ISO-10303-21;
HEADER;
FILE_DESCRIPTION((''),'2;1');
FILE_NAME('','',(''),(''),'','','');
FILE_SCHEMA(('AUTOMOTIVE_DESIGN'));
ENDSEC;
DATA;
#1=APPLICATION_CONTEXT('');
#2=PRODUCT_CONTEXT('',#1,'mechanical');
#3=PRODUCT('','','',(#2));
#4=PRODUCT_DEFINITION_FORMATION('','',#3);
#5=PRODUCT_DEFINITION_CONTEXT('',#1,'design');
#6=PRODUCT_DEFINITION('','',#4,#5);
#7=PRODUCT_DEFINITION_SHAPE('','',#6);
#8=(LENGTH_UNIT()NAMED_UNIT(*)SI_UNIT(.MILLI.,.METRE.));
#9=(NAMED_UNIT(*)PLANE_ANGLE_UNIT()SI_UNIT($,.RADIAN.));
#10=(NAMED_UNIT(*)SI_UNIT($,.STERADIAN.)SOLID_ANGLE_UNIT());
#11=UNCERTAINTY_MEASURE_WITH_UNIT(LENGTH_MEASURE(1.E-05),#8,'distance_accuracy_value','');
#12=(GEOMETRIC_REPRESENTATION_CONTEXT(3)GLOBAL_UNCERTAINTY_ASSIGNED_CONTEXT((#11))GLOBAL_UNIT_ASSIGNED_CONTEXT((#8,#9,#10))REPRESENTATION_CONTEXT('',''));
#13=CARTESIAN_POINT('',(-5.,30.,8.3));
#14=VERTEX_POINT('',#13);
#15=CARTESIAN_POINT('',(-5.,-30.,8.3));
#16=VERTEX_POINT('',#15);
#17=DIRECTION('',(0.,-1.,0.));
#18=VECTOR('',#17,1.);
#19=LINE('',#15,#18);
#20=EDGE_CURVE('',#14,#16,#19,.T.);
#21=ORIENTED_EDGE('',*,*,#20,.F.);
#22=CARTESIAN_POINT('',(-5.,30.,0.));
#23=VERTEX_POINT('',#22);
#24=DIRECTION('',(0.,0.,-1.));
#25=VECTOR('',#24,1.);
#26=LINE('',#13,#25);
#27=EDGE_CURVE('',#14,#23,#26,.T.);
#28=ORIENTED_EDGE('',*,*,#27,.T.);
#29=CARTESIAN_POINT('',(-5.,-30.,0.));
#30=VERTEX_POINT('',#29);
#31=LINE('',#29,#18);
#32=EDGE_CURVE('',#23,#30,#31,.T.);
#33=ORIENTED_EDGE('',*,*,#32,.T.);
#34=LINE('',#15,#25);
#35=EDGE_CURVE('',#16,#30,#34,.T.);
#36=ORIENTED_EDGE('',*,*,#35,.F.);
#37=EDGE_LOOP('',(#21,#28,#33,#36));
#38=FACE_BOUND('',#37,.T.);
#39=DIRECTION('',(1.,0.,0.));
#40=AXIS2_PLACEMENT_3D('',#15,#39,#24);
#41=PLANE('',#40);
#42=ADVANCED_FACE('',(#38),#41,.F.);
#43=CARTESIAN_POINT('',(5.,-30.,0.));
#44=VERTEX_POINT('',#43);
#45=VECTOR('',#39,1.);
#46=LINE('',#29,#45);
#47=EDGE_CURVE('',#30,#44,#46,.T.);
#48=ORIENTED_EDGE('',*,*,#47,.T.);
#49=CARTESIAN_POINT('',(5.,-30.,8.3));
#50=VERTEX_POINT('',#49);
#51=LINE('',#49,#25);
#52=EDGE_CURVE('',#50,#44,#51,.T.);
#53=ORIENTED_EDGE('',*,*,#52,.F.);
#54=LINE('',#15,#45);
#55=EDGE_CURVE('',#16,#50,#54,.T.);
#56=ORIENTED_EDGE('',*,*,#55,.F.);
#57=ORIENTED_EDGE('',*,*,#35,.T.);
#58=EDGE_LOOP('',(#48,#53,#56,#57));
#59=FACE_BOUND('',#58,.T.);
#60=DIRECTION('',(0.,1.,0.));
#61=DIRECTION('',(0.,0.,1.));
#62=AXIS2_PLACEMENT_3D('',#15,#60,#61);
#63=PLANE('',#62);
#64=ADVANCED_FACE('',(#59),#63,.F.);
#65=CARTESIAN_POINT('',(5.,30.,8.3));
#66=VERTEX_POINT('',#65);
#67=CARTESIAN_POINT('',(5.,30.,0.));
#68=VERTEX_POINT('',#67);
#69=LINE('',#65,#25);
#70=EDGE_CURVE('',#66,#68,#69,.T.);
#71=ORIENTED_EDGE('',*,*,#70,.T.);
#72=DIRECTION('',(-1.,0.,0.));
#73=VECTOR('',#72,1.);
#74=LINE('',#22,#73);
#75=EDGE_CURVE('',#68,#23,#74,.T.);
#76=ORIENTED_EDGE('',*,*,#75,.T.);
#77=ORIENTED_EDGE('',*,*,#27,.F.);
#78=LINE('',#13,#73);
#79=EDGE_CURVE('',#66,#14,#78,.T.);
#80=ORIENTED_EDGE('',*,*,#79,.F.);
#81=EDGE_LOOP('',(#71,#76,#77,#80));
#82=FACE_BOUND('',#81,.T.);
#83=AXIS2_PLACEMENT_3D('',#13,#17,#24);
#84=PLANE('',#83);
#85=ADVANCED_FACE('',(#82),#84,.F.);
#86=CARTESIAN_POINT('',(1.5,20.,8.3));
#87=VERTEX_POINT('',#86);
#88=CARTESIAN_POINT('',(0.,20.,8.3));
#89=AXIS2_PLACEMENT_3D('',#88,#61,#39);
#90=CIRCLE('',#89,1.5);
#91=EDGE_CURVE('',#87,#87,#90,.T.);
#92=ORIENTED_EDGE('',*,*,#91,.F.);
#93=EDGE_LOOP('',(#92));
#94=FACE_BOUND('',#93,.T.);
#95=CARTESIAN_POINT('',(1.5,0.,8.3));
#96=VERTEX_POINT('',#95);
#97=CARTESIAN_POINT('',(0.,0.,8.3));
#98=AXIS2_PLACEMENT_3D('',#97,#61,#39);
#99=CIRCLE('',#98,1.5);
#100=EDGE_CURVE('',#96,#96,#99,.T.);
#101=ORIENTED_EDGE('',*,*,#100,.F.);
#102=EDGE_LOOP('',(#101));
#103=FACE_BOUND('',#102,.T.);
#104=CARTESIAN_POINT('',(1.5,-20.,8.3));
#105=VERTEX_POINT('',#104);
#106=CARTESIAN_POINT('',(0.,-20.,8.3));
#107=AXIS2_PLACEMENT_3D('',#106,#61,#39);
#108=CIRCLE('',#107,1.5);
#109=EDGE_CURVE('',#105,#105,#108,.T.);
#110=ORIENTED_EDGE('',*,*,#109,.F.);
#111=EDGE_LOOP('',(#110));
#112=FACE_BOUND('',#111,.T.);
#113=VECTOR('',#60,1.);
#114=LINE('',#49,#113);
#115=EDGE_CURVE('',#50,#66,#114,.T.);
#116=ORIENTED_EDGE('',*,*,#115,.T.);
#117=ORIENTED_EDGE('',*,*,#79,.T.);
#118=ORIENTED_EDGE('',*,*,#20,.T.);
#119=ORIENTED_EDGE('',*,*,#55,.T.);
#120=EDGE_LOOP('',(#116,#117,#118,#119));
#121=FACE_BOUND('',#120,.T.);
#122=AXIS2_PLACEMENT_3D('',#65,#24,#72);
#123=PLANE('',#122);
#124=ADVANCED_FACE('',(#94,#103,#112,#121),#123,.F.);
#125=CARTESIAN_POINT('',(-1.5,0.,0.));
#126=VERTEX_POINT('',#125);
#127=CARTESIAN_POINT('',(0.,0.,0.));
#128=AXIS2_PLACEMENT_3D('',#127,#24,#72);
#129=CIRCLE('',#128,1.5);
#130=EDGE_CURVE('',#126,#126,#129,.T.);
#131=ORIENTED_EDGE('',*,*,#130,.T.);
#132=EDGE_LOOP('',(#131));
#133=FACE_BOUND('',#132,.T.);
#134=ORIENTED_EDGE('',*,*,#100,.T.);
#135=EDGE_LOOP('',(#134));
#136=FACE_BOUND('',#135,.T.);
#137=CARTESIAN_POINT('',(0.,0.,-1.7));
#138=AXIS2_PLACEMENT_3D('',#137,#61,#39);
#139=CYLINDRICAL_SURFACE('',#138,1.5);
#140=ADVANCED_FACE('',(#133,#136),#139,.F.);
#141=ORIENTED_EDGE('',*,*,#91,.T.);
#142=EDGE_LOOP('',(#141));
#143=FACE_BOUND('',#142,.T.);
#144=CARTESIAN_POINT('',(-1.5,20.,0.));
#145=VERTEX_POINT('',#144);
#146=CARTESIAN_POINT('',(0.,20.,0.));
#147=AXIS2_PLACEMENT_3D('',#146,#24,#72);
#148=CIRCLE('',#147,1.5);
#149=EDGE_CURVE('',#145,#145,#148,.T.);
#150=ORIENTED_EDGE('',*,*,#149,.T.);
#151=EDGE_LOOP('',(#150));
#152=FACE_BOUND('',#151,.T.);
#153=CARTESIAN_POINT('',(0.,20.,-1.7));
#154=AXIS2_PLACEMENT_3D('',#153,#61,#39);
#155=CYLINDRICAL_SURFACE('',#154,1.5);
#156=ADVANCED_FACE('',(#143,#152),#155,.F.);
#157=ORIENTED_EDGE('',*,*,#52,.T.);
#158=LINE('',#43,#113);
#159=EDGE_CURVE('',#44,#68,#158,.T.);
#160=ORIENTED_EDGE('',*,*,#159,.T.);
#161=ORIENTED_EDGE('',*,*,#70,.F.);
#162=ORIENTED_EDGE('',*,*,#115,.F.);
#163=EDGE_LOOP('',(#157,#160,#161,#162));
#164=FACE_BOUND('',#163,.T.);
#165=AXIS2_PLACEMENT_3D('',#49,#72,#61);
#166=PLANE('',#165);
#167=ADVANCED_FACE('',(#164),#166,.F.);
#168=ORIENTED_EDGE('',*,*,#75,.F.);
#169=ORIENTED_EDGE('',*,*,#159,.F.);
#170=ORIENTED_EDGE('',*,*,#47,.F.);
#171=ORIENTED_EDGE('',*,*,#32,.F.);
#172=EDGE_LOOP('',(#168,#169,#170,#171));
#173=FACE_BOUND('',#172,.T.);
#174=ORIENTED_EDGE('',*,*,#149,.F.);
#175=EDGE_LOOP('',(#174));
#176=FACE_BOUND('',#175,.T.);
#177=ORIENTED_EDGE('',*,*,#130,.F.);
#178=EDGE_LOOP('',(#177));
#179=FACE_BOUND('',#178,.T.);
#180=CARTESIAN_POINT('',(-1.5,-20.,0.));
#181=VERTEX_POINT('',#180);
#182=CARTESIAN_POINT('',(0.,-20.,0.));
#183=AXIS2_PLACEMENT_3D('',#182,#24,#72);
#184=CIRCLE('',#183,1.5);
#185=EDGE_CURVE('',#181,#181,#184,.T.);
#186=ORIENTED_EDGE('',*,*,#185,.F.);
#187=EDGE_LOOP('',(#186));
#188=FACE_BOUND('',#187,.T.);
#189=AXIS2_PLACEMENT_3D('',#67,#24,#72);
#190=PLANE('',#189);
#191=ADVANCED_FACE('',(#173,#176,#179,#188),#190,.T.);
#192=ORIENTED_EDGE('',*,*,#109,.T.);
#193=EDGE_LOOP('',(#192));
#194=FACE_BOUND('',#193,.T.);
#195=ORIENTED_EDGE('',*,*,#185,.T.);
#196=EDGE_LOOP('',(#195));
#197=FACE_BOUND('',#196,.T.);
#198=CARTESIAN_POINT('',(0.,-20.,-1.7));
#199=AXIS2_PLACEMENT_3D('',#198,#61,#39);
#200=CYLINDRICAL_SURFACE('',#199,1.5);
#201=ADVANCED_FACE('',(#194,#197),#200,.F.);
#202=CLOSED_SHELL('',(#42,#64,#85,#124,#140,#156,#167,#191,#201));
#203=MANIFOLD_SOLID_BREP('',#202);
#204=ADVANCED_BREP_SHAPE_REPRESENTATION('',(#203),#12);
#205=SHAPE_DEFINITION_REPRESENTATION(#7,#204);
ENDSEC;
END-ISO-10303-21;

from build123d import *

# Parameters (mm, degrees)
ESQUISSE1_W             = 10
ESQUISSE1_H             = 60
EXTRUSION1_DEPTH        = 8.3
ESQUISSE2_R             = 1.5
ENL_V_MAT_EXTRU_1_DEPTH = 10


with BuildPart() as part:
    # Esquisse1 → Extrusion1 (new body)
    with BuildSketch(Plane.XY):
        Rectangle(ESQUISSE1_W, ESQUISSE1_H)
    extrude(amount=EXTRUSION1_DEPTH)

    # Esquisse2 → Enlèv. mat.-Extru.1 (cut)
    with BuildSketch(Plane.XY.offset(8.3)):
        with Locations((0, -20)):
            Circle(ESQUISSE2_R)
        Circle(ESQUISSE2_R)
        with Locations((0, 20)):
            Circle(ESQUISSE2_R)
    extrude(amount=-ENL_V_MAT_EXTRU_1_DEPTH, mode=Mode.SUBTRACT)


solid = part.part
